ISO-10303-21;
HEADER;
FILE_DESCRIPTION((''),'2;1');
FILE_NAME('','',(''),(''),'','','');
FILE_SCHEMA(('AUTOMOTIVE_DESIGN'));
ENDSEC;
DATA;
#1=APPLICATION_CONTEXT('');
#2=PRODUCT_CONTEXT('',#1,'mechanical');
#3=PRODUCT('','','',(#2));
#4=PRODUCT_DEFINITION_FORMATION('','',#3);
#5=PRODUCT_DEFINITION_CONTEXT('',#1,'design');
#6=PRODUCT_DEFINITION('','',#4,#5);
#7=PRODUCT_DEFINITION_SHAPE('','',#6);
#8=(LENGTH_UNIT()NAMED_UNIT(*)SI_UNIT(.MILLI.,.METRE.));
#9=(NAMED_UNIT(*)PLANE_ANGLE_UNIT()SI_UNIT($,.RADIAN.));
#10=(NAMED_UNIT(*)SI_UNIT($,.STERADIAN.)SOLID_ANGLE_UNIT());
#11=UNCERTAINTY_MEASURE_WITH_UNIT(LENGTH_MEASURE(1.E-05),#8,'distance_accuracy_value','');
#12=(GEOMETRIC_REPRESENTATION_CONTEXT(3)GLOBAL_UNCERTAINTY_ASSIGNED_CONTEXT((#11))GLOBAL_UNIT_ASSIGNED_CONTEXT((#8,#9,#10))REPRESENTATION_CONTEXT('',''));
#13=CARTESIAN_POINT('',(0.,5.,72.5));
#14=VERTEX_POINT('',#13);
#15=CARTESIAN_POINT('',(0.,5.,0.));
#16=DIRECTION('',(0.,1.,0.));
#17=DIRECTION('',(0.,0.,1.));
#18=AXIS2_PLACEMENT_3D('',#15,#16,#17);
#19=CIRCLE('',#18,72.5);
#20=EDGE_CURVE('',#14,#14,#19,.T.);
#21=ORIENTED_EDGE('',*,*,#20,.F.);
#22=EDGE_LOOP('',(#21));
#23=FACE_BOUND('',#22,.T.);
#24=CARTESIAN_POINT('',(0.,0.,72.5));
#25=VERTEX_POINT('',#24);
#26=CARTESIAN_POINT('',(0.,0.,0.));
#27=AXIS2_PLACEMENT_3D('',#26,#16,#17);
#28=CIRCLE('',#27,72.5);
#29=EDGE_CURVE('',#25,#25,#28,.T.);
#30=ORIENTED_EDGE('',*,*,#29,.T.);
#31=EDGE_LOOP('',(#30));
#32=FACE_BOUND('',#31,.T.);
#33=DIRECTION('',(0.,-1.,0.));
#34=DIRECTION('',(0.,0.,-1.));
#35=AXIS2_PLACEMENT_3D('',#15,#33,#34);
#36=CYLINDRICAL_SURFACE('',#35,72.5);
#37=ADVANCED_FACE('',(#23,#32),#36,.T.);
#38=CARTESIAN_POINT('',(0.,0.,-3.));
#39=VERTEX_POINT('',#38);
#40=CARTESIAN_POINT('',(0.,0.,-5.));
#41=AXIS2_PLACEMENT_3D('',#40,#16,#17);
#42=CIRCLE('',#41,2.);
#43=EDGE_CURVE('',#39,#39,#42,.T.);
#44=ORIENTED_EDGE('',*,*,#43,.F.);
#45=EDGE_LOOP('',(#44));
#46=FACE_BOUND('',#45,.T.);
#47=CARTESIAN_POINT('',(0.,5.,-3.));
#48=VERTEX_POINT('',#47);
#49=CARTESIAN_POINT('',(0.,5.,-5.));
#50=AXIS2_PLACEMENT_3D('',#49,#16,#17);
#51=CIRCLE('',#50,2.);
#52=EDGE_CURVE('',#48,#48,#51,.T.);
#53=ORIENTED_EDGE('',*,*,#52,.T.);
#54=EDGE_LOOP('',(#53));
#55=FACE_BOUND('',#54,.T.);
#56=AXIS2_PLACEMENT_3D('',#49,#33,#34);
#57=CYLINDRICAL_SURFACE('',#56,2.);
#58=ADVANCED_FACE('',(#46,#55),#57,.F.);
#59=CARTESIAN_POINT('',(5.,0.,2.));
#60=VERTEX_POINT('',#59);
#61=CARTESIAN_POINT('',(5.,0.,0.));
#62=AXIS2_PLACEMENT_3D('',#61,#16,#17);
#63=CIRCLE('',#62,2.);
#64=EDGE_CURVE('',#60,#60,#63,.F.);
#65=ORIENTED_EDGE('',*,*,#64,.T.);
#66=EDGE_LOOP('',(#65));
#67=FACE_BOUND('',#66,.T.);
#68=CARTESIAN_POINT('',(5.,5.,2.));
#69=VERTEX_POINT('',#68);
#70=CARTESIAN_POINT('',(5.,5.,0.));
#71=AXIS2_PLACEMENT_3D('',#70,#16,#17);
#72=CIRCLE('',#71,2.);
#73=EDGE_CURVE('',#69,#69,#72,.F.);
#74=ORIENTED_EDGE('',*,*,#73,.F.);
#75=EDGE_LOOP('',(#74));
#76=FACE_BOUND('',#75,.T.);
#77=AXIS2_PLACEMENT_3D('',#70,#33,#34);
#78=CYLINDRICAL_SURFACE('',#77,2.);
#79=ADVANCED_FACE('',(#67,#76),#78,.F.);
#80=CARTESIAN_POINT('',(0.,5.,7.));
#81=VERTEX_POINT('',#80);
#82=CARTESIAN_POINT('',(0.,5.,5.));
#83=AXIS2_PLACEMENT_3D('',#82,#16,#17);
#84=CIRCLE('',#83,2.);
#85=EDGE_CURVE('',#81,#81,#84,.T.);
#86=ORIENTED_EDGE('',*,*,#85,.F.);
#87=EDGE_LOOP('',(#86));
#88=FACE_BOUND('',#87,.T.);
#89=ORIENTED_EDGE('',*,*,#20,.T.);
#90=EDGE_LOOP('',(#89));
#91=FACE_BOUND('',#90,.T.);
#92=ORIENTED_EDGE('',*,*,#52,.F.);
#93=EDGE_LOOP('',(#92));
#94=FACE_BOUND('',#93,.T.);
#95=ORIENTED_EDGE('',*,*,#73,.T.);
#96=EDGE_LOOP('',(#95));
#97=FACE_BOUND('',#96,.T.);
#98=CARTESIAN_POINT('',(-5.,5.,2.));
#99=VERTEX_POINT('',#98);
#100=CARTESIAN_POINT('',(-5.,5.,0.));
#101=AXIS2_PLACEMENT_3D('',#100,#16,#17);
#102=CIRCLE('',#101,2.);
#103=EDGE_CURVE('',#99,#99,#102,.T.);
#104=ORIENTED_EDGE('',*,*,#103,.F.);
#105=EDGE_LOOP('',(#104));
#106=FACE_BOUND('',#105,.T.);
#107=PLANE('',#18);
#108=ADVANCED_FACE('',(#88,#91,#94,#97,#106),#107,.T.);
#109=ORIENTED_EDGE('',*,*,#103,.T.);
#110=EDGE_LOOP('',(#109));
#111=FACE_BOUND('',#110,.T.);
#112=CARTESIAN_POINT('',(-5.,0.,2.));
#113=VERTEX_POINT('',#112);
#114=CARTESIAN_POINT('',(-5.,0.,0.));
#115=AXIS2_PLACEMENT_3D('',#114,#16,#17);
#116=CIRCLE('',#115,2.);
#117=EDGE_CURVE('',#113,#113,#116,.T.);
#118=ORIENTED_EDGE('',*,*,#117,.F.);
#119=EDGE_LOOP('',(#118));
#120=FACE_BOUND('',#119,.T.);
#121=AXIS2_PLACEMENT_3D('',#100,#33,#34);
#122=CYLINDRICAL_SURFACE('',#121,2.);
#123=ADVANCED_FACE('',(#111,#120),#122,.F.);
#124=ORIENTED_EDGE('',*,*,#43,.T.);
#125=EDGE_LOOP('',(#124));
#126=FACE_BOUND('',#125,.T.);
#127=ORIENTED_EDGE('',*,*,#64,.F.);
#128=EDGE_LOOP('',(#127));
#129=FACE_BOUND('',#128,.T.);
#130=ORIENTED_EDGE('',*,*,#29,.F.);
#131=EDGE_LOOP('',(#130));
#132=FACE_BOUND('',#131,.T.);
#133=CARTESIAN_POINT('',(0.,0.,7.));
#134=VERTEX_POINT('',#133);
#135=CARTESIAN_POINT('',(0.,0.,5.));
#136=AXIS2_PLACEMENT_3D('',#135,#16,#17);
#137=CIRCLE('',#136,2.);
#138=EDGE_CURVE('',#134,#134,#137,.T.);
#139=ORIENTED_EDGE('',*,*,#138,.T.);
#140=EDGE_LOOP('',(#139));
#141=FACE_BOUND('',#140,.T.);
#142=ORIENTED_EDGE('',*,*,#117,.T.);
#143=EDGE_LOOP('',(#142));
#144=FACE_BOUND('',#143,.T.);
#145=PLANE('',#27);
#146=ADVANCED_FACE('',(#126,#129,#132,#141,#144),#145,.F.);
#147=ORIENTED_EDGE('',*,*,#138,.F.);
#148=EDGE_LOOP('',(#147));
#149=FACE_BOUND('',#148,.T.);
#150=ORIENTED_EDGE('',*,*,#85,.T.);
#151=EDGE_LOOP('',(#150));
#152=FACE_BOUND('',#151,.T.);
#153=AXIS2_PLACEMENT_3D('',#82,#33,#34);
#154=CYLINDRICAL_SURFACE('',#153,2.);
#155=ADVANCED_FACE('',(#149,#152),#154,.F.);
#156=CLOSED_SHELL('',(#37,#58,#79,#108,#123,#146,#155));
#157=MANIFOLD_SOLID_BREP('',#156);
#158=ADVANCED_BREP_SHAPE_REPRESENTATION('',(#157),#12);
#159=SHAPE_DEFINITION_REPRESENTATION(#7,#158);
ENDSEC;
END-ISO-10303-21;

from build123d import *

# Parameters (mm, degrees)
SKETCH_6_R      = 72.5
SKETCH_6_R_2    = 2
EXTRUDE_2_DEPTH = 5


with BuildPart() as part:
    # 草圖6 → 填料-伸長2 (new body)
    with BuildSketch(Plane(origin=(0, 0, 0), x_dir=(1, 0, 0), z_dir=(0, 1, 0))):
        Circle(SKETCH_6_R)
        with Locations((0, -5)):
            Circle(SKETCH_6_R_2, mode=Mode.SUBTRACT)
        with Locations((-5, 0)):
            Circle(SKETCH_6_R_2, mode=Mode.SUBTRACT)
        with Locations((5, 0)):
            Circle(SKETCH_6_R_2, mode=Mode.SUBTRACT)
        with Locations((0, 5)):
            Circle(SKETCH_6_R_2, mode=Mode.SUBTRACT)
    extrude(amount=EXTRUDE_2_DEPTH)


solid = part.part
